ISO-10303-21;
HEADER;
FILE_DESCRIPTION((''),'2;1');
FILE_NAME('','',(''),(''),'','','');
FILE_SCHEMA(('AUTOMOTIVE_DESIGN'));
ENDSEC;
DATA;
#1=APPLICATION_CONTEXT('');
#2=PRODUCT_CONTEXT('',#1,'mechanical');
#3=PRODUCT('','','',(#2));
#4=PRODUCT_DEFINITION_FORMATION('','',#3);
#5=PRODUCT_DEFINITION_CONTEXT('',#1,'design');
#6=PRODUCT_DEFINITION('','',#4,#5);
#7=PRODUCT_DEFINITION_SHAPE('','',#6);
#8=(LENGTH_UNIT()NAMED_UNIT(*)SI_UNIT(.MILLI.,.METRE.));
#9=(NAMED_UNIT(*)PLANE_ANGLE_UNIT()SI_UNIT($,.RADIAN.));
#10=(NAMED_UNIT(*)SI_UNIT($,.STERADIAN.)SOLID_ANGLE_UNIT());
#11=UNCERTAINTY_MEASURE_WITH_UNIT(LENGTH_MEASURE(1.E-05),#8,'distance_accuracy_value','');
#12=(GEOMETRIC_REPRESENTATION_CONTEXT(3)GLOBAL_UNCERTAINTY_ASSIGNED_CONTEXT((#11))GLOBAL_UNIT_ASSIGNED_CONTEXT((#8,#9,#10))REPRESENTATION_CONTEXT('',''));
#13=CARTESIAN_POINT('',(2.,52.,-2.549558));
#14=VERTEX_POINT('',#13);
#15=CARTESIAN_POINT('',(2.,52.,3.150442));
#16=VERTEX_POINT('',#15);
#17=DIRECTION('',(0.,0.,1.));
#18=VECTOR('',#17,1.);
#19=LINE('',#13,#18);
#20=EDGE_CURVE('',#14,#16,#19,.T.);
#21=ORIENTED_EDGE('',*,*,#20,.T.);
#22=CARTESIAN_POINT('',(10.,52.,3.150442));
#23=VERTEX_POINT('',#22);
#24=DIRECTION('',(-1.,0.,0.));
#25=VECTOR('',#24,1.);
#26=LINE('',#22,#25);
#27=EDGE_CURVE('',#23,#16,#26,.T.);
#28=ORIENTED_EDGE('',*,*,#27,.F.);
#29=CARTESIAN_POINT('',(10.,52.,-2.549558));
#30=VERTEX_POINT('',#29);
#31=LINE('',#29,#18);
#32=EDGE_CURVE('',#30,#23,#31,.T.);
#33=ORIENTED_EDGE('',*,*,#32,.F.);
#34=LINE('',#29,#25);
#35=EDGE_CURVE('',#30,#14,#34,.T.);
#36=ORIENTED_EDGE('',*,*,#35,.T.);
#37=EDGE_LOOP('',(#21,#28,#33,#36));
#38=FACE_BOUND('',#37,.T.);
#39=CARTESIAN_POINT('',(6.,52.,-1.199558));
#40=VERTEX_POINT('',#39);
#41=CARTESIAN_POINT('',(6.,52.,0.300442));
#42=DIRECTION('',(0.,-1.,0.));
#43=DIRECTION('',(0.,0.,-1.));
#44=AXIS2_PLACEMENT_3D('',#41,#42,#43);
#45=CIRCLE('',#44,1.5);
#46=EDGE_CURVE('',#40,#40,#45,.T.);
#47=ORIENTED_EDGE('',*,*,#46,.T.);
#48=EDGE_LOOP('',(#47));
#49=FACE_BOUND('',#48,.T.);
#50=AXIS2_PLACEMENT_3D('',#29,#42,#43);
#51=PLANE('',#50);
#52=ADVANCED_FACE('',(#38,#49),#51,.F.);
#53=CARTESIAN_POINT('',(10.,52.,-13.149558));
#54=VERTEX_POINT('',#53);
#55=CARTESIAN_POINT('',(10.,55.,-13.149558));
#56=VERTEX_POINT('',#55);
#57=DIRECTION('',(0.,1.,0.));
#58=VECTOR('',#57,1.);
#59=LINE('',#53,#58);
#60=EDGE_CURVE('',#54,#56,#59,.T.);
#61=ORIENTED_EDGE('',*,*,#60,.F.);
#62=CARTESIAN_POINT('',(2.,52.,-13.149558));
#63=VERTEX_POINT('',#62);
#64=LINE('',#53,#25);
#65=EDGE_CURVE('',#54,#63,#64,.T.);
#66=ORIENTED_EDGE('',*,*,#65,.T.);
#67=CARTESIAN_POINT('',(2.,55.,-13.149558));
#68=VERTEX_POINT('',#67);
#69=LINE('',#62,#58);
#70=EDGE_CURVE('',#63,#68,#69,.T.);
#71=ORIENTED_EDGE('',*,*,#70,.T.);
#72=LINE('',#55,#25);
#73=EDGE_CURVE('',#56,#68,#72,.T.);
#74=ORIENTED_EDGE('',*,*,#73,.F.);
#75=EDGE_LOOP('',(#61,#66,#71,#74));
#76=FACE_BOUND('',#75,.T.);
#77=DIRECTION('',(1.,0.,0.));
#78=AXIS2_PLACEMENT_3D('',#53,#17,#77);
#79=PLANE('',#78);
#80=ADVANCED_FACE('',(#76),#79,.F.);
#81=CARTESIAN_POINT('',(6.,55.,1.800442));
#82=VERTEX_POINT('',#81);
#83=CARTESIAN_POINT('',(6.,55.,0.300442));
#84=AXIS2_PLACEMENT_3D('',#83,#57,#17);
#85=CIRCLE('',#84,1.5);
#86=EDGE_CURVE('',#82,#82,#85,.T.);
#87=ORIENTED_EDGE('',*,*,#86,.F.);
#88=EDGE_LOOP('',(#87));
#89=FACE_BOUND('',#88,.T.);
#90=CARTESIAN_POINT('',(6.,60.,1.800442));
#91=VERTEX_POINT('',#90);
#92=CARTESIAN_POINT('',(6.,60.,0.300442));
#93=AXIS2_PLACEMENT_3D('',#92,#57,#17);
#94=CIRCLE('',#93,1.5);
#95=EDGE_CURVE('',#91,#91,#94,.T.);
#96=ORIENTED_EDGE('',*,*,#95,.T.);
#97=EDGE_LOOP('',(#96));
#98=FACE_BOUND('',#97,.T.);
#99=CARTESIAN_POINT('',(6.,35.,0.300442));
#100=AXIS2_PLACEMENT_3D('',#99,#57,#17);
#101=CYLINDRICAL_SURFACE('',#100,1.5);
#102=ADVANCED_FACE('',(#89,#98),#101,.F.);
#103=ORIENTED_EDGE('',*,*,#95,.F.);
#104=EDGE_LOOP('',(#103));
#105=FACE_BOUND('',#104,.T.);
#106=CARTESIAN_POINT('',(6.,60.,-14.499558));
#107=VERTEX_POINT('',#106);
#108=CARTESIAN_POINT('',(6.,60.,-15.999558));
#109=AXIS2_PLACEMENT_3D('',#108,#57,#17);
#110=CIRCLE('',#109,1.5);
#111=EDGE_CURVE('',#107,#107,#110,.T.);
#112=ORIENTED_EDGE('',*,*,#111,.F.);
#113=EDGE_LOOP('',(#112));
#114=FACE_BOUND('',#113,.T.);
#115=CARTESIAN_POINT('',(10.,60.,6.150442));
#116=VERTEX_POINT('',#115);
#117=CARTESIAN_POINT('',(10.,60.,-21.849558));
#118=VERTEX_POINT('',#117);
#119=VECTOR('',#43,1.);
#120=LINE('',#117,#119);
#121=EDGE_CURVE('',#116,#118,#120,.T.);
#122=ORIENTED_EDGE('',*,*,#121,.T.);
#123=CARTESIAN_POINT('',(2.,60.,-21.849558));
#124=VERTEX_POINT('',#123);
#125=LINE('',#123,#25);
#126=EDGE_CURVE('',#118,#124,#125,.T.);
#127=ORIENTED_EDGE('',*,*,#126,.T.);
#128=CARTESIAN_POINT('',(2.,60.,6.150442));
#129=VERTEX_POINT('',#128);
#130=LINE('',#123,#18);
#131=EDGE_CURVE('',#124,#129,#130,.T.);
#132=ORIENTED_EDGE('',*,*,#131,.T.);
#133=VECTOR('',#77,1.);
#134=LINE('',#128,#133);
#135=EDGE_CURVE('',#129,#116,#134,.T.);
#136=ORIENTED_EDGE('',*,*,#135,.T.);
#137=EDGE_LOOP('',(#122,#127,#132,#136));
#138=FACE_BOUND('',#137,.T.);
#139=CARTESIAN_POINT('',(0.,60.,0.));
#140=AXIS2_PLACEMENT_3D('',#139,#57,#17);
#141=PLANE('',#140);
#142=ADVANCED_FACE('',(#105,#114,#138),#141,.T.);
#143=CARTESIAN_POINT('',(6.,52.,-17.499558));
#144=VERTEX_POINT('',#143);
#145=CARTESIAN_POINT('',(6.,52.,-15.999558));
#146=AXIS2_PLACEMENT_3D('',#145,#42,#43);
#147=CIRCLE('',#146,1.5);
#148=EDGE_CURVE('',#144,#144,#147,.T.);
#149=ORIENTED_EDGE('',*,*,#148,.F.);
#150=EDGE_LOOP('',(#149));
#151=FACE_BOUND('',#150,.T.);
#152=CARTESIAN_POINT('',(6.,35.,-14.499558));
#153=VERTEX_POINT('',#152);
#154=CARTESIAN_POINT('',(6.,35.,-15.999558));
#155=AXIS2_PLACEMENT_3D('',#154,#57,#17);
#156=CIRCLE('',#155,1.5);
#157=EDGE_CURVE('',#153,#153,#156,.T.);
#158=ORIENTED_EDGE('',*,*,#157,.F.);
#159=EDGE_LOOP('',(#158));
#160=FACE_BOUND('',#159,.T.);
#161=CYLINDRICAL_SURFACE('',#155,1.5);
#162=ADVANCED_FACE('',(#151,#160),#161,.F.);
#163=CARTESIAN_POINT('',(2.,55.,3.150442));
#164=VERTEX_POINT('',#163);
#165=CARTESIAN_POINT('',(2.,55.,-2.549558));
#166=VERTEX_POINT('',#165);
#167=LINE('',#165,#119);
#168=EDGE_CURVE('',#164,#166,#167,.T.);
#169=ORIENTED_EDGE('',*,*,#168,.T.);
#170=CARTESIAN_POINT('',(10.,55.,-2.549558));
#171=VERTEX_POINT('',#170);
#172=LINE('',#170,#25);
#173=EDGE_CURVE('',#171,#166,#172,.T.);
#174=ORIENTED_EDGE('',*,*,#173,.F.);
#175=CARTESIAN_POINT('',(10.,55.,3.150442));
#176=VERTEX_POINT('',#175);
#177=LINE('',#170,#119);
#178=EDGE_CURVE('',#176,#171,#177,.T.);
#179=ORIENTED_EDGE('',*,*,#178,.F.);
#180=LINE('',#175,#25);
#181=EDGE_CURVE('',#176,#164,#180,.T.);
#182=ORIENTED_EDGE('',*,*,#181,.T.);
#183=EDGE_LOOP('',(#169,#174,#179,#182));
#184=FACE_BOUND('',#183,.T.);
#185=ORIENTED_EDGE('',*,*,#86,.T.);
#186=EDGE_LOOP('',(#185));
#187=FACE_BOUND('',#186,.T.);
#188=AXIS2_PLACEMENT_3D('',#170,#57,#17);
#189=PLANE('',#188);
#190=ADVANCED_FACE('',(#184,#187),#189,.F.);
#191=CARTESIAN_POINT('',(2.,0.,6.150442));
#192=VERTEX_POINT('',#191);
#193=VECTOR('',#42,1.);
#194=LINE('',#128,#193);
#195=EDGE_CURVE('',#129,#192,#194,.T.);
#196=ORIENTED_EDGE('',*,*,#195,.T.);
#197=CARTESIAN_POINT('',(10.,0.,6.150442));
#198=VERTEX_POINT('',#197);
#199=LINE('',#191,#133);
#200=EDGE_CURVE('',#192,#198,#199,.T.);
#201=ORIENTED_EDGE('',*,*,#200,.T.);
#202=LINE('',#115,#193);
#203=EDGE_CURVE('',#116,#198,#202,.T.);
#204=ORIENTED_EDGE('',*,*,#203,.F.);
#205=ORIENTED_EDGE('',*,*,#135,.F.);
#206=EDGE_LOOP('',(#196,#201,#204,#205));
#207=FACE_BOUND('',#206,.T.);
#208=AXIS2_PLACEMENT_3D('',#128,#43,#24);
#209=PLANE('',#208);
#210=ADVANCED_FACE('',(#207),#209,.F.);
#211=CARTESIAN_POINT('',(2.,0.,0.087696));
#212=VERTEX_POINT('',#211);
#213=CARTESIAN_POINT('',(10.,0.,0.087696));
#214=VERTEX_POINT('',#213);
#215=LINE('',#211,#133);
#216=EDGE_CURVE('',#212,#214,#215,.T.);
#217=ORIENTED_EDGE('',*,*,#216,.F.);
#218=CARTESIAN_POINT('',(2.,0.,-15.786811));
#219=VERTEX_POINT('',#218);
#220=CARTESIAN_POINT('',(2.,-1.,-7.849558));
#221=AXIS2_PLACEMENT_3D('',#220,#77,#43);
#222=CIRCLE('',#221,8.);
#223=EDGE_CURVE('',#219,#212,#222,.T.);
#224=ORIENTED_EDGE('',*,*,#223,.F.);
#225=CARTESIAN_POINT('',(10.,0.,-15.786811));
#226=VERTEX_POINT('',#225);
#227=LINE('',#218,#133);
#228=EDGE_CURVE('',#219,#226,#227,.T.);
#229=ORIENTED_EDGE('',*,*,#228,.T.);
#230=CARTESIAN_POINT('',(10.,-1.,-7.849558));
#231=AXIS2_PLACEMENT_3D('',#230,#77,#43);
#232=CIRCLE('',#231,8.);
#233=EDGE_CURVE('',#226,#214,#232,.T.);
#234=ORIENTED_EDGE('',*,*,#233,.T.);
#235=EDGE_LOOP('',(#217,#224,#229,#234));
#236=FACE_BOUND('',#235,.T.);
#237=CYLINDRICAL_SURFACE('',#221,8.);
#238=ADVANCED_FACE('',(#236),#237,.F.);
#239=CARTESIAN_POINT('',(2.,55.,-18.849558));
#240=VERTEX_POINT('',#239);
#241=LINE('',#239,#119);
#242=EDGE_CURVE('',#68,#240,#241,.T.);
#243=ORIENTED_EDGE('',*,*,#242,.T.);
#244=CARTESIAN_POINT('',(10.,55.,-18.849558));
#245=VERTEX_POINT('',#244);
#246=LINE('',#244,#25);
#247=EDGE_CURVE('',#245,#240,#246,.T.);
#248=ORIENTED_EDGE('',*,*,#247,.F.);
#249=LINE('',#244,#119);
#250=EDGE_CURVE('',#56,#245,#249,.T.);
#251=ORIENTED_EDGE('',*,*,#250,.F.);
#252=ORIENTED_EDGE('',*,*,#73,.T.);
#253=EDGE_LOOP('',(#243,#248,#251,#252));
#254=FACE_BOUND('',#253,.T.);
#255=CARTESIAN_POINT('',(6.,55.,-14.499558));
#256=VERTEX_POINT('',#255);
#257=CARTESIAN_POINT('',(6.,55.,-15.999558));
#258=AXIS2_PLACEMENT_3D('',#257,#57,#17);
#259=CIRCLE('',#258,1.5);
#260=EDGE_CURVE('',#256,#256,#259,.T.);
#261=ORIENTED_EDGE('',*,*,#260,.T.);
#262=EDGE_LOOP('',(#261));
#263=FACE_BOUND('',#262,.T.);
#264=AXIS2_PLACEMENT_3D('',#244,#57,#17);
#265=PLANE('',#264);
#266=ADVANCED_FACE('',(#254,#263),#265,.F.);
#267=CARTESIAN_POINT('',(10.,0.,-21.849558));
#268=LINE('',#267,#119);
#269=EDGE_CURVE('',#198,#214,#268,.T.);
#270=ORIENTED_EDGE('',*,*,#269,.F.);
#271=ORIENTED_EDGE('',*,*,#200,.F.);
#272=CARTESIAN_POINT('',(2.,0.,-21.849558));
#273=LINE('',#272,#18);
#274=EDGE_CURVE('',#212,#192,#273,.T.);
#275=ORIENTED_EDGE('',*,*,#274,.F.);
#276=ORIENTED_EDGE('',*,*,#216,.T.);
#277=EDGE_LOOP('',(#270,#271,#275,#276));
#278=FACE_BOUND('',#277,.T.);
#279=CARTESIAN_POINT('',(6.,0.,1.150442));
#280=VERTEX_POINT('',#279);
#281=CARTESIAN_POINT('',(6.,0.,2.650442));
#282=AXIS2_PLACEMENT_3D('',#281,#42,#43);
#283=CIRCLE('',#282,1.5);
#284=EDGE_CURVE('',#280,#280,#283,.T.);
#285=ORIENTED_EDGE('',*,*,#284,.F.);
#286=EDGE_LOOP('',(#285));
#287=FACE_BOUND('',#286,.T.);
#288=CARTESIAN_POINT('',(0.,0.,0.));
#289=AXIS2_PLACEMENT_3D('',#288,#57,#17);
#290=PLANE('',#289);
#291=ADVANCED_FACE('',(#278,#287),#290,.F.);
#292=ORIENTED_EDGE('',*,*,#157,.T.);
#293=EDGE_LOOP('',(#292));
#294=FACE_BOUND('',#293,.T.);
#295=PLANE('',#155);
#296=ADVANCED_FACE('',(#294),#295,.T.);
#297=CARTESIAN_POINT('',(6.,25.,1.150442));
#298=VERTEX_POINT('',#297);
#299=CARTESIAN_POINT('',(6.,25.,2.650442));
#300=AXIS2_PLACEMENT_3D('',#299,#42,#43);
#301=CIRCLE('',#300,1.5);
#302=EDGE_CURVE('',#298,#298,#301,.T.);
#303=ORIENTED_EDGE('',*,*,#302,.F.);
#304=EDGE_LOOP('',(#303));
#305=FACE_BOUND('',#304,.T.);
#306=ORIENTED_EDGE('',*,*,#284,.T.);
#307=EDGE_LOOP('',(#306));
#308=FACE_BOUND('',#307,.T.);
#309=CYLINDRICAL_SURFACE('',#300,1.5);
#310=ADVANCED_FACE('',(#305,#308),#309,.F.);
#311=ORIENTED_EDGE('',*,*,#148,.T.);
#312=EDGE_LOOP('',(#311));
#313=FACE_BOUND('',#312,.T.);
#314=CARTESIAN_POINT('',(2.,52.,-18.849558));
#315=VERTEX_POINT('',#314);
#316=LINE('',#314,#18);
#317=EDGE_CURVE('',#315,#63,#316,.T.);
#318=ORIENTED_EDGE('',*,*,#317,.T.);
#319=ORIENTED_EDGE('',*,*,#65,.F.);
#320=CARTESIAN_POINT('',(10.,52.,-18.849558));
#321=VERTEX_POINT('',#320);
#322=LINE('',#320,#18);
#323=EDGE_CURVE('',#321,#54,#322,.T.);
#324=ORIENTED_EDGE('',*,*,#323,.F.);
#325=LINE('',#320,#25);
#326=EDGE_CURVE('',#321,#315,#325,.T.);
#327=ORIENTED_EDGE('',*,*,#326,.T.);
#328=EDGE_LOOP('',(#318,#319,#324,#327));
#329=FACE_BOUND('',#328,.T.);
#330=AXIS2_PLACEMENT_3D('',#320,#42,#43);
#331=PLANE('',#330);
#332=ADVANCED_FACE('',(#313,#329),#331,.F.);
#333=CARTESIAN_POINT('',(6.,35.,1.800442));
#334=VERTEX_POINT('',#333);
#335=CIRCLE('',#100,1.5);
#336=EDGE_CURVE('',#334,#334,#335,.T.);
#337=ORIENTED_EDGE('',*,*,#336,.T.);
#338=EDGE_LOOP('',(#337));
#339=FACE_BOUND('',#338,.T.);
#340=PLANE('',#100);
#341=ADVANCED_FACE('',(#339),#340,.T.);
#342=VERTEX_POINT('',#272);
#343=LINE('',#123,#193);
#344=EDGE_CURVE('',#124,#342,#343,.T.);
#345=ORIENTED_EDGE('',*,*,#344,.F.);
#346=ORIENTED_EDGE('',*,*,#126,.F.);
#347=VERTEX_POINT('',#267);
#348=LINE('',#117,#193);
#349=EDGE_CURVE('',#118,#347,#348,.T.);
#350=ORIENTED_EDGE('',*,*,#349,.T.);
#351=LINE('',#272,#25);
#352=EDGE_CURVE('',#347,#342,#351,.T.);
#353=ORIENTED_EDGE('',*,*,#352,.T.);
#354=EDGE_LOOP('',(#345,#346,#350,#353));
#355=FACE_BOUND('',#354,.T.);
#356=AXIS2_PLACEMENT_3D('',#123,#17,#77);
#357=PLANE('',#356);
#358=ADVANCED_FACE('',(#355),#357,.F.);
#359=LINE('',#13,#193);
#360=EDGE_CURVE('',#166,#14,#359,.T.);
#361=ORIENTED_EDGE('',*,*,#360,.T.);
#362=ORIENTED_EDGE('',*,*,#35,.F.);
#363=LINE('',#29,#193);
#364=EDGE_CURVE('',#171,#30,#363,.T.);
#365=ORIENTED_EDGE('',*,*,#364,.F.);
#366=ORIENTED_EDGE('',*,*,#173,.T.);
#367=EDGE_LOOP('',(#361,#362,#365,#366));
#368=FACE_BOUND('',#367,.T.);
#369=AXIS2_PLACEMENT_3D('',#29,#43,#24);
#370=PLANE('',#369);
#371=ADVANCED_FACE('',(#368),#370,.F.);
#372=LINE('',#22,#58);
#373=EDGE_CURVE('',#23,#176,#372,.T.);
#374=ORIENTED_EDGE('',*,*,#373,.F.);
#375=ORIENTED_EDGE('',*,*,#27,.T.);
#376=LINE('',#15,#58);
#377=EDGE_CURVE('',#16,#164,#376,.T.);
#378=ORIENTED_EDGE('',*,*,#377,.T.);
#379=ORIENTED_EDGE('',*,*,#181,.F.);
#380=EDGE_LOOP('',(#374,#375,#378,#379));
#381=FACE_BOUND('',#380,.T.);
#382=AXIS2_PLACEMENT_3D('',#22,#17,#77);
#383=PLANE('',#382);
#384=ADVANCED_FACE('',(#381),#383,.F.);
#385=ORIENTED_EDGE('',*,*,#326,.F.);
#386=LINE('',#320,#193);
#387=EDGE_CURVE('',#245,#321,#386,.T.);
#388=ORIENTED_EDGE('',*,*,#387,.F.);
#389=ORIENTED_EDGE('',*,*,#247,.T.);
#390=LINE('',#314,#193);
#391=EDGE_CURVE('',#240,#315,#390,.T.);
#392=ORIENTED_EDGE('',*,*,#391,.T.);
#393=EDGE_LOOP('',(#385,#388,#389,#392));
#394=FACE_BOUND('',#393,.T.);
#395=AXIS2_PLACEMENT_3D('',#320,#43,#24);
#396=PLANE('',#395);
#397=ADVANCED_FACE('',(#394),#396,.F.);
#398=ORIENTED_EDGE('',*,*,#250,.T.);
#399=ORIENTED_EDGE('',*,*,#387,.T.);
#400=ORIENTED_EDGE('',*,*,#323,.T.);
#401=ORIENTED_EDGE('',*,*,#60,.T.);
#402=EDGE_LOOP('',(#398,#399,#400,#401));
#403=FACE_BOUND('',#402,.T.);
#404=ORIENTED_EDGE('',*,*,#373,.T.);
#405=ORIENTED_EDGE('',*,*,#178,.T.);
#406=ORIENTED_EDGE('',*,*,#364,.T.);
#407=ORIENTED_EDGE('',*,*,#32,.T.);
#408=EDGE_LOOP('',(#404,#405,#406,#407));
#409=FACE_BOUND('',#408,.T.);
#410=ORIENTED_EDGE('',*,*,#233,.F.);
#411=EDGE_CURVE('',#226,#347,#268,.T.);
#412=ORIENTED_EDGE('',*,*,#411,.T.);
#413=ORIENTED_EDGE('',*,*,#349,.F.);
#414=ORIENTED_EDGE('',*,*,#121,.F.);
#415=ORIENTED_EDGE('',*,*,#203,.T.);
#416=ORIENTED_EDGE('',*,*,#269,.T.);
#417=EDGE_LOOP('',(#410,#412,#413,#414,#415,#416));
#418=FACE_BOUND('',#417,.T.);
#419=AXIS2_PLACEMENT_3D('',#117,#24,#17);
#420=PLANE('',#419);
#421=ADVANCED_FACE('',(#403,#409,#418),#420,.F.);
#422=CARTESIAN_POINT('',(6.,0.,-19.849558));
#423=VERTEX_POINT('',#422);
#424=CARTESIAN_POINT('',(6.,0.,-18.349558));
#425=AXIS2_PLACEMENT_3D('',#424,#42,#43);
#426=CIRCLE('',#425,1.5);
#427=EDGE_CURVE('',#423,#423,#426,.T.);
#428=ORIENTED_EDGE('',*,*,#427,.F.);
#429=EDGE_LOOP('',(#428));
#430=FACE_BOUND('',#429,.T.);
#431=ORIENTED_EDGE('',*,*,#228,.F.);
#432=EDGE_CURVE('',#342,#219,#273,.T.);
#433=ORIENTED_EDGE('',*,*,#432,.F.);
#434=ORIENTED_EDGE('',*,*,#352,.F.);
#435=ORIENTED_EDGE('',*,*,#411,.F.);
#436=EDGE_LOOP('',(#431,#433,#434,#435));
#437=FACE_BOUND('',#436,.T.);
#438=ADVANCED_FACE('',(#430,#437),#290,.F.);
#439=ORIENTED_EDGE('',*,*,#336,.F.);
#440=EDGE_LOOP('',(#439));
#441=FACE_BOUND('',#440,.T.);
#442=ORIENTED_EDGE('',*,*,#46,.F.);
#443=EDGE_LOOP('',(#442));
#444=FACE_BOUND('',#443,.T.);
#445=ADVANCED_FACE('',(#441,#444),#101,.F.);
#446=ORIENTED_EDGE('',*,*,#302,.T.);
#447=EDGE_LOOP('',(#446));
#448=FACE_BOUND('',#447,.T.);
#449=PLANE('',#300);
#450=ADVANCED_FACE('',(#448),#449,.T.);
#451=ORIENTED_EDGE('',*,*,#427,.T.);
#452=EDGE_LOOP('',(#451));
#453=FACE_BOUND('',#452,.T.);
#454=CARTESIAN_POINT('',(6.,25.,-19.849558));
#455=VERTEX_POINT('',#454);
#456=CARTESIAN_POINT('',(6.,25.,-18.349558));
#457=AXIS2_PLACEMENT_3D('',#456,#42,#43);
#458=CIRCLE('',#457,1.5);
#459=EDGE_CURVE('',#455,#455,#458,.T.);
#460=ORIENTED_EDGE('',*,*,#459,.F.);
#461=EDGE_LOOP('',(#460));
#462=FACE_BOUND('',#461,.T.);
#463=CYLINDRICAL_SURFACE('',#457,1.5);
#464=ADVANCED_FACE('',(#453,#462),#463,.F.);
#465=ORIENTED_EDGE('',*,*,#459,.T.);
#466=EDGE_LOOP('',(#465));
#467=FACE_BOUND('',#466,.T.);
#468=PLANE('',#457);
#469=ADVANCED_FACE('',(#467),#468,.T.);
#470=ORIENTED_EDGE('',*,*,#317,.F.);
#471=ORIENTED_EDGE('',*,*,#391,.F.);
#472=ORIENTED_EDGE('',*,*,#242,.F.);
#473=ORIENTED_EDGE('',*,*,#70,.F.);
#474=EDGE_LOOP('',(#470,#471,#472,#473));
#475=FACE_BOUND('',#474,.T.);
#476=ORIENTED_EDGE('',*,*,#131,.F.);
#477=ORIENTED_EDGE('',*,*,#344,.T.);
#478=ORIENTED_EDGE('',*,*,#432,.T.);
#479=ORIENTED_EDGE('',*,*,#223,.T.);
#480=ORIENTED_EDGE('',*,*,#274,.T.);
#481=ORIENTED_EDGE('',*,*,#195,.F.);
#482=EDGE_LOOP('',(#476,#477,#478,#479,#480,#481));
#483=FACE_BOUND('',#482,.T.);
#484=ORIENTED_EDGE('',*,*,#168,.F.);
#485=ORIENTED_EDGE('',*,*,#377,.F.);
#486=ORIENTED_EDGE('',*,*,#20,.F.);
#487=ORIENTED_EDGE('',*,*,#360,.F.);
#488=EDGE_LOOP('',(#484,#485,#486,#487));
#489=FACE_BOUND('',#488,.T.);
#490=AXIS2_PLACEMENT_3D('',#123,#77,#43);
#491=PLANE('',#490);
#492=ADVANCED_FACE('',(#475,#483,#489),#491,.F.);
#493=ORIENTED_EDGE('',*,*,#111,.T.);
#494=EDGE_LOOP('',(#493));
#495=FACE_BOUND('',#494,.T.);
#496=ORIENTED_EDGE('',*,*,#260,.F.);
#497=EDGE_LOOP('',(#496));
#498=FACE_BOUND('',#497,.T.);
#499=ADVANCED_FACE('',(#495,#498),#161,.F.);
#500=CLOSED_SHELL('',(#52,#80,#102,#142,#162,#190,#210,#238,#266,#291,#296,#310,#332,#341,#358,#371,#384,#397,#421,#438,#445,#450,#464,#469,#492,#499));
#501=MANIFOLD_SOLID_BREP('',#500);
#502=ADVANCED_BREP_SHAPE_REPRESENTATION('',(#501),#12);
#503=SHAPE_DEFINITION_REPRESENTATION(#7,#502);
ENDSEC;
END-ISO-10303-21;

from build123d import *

# Parameters (mm, degrees)
SKETCH1_W           = 8
SKETCH1_H           = 28
BOSS_EXTRUDE2_DEPTH = 60
CUT_EXTRUDE2_DEPTH  = 65.353734654
SKETCH6_R           = 1.5
CUT_EXTRUDE3_DEPTH  = 25
SKETCH7_W           = 5.7
SKETCH7_H           = 3
CUT_EXTRUDE4_DEPTH  = 65.353734654
SKETCH8_R           = 1.5
CUT_EXTRUDE5_DEPTH  = 25


with BuildPart() as part:
    # Sketch1 → Boss-Extrude2 (new body)
    with BuildSketch(Plane(origin=(0, 0, 0), x_dir=(1, 0, 0), z_dir=(0, 1, 0))):
        with Locations((6, 7.849557522)):
            Rectangle(SKETCH1_W, SKETCH1_H)
    extrude(amount=BOSS_EXTRUDE2_DEPTH)

    # Sketch5 → Cut-Extrude2 (cut, through all)
    with BuildSketch(Plane(origin=(10, 0, 0), x_dir=(0, 0, -1), z_dir=(1, 0, 0))):
        with BuildLine():
            Line((-0.087696411, 0), (15.786811455, 0))
            ThreePointArc((15.786811455, 0), (7.849557522, 7), (-0.087696411, 0))
        make_face()
    extrude(amount=-CUT_EXTRUDE2_DEPTH, mode=Mode.SUBTRACT)

    # Sketch6 → Cut-Extrude3 (cut)
    with BuildSketch(Plane.XZ):
        with Locations(Location((6, -18.349557522, 0), (0, 0, 270))):
            Circle(SKETCH6_R)
        with Locations(Location((6, 2.650442478, 0), (0, 0, 270))):
            Circle(SKETCH6_R)
    extrude(amount=-CUT_EXTRUDE3_DEPTH, mode=Mode.SUBTRACT)

    # Sketch7 → Cut-Extrude4 (cut, through all)
    with BuildSketch(Plane.ZY.offset(-2)):
        with Locations((-15.999557522, 53.5)):
            Rectangle(SKETCH7_W, SKETCH7_H)
        with Locations((0.300442478, 53.5)):
            Rectangle(SKETCH7_W, SKETCH7_H)
    extrude(amount=-CUT_EXTRUDE4_DEPTH, mode=Mode.SUBTRACT)

    # Sketch8 → Cut-Extrude5 (cut)
    with BuildSketch(Plane(origin=(0, 60, 0), x_dir=(1, 0, 0), z_dir=(0, 1, 0))):
        with Locations(Location((6, 15.999557522, 0), (0, 0, 270))):
            Circle(SKETCH8_R)
        with Locations(Location((6, -0.300442478, 0), (0, 0, 270))):
            Circle(SKETCH8_R)
    extrude(amount=-CUT_EXTRUDE5_DEPTH, mode=Mode.SUBTRACT)


solid = part.part
